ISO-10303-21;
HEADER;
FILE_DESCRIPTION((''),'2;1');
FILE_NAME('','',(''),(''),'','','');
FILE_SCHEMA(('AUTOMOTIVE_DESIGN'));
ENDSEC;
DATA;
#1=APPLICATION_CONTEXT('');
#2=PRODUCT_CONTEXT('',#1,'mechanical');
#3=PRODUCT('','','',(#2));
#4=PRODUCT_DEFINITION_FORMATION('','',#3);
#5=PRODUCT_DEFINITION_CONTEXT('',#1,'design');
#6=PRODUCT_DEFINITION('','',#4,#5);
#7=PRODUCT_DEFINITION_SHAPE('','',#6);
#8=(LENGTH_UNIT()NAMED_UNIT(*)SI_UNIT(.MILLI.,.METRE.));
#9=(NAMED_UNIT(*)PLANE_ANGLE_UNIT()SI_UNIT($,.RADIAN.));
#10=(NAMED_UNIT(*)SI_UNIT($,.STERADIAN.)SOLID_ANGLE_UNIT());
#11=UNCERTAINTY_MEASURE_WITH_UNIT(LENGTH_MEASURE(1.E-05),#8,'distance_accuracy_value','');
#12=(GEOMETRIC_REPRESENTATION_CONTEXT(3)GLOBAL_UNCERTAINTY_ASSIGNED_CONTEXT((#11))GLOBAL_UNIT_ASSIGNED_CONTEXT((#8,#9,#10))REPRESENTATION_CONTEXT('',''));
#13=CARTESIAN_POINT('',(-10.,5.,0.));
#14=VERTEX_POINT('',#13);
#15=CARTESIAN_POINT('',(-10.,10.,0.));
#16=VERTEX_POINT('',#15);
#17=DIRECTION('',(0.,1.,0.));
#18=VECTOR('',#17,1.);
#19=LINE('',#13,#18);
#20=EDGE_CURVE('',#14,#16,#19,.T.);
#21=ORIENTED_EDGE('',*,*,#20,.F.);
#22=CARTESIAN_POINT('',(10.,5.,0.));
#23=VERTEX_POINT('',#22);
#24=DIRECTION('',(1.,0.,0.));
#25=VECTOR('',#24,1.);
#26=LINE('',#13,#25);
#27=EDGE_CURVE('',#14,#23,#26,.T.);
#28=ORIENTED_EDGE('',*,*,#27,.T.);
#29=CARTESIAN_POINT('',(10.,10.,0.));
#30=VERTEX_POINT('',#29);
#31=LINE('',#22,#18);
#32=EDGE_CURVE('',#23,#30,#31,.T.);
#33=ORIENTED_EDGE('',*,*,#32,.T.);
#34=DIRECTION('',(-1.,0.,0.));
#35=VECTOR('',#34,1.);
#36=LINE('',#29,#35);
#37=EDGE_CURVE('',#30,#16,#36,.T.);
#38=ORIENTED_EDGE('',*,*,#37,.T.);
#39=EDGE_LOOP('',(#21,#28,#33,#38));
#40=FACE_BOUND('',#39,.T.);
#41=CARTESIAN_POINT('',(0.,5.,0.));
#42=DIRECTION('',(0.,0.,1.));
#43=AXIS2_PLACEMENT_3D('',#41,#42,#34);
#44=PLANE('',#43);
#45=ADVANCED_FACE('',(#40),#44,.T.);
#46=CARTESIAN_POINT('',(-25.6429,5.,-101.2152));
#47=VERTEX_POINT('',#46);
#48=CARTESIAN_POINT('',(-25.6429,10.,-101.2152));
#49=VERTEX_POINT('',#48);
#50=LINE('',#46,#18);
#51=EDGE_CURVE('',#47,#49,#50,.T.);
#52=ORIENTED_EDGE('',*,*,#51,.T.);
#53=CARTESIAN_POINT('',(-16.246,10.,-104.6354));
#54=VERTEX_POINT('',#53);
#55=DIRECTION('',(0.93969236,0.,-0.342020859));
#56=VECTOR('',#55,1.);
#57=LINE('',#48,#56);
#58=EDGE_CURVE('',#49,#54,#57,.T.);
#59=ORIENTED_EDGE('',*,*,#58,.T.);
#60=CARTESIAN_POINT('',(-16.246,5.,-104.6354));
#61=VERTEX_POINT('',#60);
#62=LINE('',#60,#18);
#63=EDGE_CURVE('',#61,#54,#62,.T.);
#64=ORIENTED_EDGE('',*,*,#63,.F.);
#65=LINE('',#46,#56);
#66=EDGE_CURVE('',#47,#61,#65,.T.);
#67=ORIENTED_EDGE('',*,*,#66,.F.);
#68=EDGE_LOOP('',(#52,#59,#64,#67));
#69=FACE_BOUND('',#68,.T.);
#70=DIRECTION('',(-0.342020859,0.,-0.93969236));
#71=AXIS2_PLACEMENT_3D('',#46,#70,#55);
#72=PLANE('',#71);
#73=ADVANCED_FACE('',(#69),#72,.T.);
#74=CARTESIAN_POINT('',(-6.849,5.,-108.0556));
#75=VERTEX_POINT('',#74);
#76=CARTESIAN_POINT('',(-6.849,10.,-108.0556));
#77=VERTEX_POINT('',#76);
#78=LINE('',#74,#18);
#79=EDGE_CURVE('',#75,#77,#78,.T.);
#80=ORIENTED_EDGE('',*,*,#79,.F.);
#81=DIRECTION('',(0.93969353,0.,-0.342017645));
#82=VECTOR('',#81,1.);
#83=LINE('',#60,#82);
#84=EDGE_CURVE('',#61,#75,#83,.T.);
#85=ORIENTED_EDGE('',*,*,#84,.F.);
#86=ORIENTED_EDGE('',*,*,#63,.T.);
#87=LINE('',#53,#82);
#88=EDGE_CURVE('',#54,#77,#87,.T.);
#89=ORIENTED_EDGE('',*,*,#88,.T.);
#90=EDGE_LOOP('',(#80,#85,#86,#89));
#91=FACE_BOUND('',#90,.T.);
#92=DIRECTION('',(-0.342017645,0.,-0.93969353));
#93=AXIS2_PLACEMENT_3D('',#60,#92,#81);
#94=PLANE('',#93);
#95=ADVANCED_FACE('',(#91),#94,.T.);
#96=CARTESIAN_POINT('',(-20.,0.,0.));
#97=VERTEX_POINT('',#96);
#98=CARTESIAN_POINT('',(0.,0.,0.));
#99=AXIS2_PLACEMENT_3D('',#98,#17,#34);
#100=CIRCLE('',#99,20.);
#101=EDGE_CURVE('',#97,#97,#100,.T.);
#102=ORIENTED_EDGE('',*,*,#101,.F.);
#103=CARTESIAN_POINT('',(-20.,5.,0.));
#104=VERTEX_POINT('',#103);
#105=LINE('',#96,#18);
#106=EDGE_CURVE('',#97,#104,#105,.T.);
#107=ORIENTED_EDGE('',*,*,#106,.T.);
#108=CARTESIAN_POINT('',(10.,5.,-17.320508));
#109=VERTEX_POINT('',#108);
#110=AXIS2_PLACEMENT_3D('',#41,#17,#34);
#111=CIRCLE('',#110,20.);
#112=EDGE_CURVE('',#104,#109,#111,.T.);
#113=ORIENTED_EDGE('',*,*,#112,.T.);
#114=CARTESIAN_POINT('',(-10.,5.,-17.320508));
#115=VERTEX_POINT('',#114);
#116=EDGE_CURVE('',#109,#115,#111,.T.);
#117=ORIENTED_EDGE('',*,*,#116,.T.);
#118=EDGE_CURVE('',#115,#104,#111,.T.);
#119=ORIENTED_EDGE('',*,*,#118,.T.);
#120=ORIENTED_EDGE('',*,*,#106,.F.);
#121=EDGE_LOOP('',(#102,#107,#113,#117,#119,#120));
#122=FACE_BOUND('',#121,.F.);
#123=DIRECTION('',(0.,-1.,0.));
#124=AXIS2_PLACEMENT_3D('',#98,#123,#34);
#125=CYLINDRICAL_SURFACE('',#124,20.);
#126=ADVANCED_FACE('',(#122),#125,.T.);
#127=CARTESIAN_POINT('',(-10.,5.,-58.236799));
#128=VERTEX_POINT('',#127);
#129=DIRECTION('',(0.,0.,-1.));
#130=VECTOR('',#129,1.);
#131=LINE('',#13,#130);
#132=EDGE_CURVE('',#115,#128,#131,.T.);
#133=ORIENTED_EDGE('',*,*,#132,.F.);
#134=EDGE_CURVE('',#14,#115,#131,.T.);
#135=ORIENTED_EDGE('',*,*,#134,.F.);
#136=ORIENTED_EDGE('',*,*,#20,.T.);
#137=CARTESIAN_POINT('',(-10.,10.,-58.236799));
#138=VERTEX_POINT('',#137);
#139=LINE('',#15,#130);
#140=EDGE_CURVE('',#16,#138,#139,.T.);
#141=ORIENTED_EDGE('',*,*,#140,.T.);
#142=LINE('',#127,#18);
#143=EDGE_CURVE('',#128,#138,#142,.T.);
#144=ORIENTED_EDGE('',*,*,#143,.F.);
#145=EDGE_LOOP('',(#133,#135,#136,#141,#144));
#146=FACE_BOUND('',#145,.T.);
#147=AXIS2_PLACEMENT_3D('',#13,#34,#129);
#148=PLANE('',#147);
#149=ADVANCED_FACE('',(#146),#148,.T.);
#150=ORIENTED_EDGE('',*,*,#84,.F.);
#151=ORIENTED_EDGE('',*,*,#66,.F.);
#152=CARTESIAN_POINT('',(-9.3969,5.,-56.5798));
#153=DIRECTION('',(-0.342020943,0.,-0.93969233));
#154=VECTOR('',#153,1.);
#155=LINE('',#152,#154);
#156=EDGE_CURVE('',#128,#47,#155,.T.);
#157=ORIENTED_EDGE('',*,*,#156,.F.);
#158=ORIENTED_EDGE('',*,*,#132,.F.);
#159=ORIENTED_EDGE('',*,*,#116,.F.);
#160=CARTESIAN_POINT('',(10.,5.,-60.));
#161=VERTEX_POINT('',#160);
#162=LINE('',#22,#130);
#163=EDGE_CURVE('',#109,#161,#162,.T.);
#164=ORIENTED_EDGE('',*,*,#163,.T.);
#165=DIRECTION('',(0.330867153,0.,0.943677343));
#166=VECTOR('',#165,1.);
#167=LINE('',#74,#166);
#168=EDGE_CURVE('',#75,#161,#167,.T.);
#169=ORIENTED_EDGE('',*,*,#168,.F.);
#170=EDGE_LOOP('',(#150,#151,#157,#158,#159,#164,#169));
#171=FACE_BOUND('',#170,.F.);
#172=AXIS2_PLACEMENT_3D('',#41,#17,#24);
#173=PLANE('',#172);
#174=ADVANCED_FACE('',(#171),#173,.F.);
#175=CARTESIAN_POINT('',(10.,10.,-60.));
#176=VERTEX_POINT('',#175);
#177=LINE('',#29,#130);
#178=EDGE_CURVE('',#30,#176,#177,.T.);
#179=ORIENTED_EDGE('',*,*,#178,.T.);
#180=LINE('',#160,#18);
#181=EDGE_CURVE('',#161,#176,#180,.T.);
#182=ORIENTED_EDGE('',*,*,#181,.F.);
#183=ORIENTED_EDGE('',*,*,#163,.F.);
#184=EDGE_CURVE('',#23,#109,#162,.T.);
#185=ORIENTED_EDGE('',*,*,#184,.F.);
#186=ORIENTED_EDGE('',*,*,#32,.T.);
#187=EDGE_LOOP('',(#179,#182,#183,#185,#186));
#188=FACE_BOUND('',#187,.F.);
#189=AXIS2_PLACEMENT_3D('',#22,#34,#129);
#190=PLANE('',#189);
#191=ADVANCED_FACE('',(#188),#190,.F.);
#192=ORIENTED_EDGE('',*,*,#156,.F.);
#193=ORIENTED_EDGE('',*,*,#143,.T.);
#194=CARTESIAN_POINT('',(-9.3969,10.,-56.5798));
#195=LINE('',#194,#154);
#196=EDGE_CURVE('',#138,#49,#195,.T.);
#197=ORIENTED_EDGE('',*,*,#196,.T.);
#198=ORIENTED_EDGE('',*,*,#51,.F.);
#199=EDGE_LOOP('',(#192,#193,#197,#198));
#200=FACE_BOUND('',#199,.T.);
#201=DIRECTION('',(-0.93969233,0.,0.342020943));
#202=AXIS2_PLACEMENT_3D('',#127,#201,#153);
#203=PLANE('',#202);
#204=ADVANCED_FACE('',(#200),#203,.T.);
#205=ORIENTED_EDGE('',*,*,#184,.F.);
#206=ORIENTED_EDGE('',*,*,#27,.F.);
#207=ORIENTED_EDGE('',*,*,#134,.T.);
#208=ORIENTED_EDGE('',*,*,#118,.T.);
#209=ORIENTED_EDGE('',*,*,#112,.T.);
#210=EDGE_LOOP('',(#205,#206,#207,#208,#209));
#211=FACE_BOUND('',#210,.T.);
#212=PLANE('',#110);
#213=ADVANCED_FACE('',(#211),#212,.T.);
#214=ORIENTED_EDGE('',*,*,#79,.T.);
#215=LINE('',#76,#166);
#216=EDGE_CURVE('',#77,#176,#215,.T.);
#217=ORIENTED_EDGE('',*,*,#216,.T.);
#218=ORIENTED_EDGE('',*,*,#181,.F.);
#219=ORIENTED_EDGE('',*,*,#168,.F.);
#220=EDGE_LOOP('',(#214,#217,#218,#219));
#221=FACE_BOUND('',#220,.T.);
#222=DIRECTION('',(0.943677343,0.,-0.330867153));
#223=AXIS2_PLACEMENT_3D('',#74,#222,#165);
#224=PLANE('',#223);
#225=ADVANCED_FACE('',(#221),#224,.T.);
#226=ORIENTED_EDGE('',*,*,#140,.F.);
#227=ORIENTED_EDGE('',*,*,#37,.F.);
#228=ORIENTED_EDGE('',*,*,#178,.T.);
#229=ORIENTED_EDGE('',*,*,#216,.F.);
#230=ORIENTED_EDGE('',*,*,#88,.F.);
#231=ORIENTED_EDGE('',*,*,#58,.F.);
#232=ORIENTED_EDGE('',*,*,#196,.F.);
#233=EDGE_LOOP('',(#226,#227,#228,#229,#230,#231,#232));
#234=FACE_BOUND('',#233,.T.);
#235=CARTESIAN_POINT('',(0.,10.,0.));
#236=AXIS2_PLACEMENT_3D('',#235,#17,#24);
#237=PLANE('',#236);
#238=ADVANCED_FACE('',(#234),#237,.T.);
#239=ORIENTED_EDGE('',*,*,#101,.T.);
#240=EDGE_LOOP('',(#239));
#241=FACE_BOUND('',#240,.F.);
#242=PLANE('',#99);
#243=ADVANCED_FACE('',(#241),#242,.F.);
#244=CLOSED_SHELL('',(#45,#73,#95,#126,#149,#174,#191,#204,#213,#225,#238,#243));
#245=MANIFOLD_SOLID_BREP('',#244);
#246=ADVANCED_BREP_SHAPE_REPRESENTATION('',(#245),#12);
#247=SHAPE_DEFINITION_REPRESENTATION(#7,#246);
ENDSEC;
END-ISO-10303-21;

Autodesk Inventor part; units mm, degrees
ref_plane "YZ Plane" through (0, 0, 0) normal (1, 0, 0) x (0, 1, 0)
ref_plane "XZ Plane" through (0, 0, 0) normal (0, 1, 0) x (-1, 0, 0)
ref_plane "XY Plane" through (0, 0, 0) normal (0, 0, 1) x (1, 0, 0)
sketch "Sketch1" plane through (0, 0, 0) normal (0, 1, 0) x (-1, 0, 0)
  circle A0 centre (0, 0) radius 20
  dimension "d0" = 40
extrude "Extrusion1" add sketch "Sketch1" along normal blind 5
sketch "Sketch2" plane through (0, 5, 0) normal (0, 1, 0) x (1, 0, 0)
  line L0 (0, 0) -> (-10, 0)
  line L1 (-10, 0) -> (-10, 60)
  line L2 (-10, 60) -> (0, 60)
  line L3 (0, 60) -> (0, 0)
  line L4 (0, 0) -> (10, 0)
  line L5 (10, 0) -> (10, 60)
  line L6 (10, 60) -> (0, 60)
  line L7 (0, 60) -> (0, 0)
  line L8 (0, 60) -> (-16.246, 104.6354)
  line L9 (0, 60) -> (-9.3969, 56.5798)
  line L10 (-9.3969, 56.5798) -> (-25.6429, 101.2152)
  line L11 (-25.6429, 101.2152) -> (-16.246, 104.6354)
  line L12 (-16.246, 104.6354) -> (-6.849, 108.0556)
  line L13 (-6.849, 108.0556) -> (10, 60)
  dimension "d3" = 10
  dimension "d4" = 60
  dimension "d5" = 10
  dimension "d7" = 47.5
  dimension "d8" = 160
  dimension "d9" = 10
  dimension "d10" = 10
extrude "Extrusion2" add sketch "Sketch2" along normal blind 5
properties part number "scale_r_arm"
